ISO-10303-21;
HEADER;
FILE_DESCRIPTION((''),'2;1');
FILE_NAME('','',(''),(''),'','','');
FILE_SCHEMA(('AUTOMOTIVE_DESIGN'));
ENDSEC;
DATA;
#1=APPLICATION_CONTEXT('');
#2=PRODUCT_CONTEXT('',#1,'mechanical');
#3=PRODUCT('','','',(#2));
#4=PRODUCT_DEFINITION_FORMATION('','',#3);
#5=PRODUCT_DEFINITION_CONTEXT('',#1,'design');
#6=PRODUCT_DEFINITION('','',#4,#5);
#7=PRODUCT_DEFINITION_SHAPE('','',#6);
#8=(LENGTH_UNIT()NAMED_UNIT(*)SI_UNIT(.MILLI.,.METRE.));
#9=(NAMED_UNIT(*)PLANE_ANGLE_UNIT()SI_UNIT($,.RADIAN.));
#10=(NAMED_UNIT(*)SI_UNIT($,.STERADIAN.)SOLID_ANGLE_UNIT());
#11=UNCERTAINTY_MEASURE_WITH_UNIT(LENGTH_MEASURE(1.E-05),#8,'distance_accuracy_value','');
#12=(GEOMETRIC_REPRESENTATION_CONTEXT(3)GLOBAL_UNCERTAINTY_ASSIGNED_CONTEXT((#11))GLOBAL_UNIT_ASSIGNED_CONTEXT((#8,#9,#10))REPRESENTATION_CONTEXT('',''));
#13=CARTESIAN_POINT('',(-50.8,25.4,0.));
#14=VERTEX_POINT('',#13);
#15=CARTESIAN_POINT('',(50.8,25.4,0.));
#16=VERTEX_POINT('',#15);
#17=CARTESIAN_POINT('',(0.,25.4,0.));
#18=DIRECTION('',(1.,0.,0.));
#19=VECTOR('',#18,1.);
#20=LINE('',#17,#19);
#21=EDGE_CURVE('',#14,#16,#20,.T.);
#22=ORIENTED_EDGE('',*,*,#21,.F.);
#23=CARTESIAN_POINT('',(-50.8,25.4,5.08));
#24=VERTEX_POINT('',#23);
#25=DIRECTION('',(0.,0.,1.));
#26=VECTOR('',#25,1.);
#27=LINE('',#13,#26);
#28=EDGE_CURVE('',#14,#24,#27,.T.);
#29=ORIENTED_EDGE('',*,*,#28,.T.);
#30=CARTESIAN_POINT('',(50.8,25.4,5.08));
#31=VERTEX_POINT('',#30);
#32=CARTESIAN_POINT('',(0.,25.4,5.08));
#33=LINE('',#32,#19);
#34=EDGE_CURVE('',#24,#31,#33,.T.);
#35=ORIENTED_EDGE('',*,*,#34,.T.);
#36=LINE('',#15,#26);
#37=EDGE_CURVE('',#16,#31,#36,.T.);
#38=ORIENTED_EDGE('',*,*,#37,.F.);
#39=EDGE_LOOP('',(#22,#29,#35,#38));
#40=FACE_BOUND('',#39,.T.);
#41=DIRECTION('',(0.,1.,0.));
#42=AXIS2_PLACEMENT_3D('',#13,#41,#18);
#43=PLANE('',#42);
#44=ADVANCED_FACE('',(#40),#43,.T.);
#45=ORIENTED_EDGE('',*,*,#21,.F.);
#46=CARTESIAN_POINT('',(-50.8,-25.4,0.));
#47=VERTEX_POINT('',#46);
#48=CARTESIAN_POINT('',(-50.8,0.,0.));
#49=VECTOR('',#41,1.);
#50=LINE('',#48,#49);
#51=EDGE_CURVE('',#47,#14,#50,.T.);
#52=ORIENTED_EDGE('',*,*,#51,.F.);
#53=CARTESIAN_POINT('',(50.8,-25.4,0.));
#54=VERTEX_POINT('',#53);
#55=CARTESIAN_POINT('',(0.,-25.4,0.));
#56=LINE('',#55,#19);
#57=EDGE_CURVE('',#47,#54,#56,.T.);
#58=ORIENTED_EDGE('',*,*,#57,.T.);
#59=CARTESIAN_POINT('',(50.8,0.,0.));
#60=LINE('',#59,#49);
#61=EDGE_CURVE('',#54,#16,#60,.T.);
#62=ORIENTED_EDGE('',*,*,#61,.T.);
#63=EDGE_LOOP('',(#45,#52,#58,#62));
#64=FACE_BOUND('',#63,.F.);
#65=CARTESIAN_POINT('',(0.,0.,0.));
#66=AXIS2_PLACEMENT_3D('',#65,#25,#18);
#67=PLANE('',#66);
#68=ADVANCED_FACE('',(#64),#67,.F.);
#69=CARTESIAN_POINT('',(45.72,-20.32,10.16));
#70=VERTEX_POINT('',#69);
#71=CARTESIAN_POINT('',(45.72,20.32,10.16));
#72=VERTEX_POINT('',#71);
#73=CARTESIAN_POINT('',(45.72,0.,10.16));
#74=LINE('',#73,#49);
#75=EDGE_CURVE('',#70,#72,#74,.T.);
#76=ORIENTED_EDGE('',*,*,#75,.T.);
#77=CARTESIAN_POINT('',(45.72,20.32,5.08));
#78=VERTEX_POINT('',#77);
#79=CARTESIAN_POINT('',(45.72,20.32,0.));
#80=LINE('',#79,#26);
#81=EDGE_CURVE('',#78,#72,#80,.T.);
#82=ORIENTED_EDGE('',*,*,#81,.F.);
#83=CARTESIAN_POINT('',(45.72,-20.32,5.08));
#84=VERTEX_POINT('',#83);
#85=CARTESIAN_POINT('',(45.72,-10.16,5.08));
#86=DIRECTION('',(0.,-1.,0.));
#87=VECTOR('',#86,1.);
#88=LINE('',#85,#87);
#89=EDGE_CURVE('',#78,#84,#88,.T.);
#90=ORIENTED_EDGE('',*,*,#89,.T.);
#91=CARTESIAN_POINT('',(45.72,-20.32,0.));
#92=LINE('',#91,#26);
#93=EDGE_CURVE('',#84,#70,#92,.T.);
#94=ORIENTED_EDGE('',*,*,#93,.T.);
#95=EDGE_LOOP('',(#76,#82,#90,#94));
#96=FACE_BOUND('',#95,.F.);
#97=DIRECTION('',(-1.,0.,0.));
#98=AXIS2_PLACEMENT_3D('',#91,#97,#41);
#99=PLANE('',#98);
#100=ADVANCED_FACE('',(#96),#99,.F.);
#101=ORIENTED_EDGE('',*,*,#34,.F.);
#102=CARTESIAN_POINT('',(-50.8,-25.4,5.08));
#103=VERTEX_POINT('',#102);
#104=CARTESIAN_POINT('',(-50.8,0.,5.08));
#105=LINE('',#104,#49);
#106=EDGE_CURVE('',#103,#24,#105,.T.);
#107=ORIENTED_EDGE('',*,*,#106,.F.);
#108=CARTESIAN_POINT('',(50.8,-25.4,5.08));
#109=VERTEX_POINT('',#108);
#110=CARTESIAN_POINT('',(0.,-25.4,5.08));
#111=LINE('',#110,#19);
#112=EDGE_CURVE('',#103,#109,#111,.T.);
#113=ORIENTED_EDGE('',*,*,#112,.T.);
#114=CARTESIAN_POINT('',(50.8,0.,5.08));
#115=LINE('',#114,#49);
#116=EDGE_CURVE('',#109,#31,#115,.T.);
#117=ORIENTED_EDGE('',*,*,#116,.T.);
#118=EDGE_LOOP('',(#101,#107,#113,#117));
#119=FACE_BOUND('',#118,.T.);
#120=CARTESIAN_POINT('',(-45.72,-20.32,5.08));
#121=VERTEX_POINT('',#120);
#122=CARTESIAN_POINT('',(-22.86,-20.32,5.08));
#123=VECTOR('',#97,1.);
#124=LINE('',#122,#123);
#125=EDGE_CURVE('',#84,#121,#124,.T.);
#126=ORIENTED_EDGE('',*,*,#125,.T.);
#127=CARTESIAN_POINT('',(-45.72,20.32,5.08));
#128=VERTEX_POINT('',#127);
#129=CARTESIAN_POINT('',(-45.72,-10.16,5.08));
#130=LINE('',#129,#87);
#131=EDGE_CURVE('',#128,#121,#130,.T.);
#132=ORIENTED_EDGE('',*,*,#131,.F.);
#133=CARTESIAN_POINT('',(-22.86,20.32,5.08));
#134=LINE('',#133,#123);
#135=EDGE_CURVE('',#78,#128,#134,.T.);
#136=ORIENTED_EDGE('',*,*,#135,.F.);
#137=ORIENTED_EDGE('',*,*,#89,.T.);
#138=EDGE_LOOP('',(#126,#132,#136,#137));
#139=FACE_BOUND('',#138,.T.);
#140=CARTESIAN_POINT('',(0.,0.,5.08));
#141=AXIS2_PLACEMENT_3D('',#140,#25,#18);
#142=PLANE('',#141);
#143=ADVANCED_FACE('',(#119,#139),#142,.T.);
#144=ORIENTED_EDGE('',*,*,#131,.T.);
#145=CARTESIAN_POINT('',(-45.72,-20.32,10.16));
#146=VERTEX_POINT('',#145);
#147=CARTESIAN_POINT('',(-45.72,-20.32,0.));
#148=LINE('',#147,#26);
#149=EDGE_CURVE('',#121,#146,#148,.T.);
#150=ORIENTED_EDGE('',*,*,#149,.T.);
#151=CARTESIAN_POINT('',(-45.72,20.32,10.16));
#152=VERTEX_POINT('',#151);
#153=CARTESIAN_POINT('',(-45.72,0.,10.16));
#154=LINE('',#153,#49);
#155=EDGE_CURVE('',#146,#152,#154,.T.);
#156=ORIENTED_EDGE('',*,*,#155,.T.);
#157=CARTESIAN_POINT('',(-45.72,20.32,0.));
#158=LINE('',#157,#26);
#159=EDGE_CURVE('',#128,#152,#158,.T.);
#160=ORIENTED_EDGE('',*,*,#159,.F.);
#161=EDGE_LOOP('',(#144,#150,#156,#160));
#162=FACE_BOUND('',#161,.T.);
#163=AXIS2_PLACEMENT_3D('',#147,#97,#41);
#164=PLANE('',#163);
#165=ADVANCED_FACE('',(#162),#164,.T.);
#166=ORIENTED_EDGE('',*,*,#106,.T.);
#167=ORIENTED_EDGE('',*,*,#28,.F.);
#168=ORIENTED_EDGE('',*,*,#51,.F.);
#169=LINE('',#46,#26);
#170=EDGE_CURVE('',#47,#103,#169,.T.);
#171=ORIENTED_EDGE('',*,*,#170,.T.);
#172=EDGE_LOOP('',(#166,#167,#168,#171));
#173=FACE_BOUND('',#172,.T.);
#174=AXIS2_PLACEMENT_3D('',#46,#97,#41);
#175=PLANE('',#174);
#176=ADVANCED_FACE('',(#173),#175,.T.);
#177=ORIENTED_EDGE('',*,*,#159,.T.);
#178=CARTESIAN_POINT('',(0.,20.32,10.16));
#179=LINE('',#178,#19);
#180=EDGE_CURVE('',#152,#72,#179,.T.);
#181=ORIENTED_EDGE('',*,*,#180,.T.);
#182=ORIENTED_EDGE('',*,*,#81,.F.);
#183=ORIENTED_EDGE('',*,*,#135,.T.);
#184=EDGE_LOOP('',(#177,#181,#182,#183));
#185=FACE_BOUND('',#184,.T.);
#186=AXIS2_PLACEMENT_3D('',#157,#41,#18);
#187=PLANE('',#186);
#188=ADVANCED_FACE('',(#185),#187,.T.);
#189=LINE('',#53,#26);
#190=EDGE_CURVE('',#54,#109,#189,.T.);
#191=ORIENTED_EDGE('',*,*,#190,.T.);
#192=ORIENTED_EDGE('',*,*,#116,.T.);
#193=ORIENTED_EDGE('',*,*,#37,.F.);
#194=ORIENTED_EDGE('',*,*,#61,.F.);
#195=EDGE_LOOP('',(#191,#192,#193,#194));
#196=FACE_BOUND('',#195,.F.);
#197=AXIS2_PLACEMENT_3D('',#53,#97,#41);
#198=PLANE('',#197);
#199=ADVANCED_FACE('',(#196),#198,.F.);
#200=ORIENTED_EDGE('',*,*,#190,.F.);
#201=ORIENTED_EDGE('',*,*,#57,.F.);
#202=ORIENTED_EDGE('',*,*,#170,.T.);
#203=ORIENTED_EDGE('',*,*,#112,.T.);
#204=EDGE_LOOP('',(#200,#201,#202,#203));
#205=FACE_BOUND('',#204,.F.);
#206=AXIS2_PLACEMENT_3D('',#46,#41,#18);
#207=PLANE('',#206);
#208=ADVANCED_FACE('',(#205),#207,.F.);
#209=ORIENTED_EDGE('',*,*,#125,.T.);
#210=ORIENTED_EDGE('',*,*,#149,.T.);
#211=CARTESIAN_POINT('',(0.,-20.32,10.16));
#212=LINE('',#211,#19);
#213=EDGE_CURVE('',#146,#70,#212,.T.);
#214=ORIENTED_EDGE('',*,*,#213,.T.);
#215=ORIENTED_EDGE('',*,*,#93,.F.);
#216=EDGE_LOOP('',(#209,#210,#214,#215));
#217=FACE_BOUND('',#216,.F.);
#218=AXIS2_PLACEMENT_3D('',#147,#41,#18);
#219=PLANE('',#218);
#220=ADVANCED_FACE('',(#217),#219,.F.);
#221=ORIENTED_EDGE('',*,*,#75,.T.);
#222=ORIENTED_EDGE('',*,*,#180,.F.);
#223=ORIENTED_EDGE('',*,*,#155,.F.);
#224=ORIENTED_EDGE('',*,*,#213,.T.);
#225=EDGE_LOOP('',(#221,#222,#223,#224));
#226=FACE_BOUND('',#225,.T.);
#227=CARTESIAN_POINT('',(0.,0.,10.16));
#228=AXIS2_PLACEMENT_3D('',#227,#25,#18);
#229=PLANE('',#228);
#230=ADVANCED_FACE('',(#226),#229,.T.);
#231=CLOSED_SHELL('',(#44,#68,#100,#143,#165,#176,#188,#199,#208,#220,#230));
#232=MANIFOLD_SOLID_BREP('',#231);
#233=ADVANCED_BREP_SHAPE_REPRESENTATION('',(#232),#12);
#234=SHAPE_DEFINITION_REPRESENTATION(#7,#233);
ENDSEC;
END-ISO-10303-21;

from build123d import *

# Parameters (mm, degrees)
F0_W     = 91.44
F0_H     = 40.64
F1_DEPTH = 5.08
F0_W_2   = 101.6
F0_H_2   = 50.8
F2_DEPTH = 5.08
F3_DEPTH = 10.16


with BuildPart() as f1:
    # F0 (on Top) → F1 (new body)
    with BuildSketch(Plane.XY):
        Rectangle(F0_W, F0_H)
    extrude(amount=F1_DEPTH)

    # F0 (on Top) → F2 (join)
    with BuildSketch(Plane.XY):
        Rectangle(F0_W_2, F0_H_2)
        Rectangle(F0_W, F0_H, mode=Mode.SUBTRACT)
    extrude(amount=F2_DEPTH)

    # F0 (on Top) → F3 (join)
    with BuildSketch(Plane.XY):
        Rectangle(F0_W, F0_H)
    extrude(amount=F3_DEPTH)


solid = f1.part
